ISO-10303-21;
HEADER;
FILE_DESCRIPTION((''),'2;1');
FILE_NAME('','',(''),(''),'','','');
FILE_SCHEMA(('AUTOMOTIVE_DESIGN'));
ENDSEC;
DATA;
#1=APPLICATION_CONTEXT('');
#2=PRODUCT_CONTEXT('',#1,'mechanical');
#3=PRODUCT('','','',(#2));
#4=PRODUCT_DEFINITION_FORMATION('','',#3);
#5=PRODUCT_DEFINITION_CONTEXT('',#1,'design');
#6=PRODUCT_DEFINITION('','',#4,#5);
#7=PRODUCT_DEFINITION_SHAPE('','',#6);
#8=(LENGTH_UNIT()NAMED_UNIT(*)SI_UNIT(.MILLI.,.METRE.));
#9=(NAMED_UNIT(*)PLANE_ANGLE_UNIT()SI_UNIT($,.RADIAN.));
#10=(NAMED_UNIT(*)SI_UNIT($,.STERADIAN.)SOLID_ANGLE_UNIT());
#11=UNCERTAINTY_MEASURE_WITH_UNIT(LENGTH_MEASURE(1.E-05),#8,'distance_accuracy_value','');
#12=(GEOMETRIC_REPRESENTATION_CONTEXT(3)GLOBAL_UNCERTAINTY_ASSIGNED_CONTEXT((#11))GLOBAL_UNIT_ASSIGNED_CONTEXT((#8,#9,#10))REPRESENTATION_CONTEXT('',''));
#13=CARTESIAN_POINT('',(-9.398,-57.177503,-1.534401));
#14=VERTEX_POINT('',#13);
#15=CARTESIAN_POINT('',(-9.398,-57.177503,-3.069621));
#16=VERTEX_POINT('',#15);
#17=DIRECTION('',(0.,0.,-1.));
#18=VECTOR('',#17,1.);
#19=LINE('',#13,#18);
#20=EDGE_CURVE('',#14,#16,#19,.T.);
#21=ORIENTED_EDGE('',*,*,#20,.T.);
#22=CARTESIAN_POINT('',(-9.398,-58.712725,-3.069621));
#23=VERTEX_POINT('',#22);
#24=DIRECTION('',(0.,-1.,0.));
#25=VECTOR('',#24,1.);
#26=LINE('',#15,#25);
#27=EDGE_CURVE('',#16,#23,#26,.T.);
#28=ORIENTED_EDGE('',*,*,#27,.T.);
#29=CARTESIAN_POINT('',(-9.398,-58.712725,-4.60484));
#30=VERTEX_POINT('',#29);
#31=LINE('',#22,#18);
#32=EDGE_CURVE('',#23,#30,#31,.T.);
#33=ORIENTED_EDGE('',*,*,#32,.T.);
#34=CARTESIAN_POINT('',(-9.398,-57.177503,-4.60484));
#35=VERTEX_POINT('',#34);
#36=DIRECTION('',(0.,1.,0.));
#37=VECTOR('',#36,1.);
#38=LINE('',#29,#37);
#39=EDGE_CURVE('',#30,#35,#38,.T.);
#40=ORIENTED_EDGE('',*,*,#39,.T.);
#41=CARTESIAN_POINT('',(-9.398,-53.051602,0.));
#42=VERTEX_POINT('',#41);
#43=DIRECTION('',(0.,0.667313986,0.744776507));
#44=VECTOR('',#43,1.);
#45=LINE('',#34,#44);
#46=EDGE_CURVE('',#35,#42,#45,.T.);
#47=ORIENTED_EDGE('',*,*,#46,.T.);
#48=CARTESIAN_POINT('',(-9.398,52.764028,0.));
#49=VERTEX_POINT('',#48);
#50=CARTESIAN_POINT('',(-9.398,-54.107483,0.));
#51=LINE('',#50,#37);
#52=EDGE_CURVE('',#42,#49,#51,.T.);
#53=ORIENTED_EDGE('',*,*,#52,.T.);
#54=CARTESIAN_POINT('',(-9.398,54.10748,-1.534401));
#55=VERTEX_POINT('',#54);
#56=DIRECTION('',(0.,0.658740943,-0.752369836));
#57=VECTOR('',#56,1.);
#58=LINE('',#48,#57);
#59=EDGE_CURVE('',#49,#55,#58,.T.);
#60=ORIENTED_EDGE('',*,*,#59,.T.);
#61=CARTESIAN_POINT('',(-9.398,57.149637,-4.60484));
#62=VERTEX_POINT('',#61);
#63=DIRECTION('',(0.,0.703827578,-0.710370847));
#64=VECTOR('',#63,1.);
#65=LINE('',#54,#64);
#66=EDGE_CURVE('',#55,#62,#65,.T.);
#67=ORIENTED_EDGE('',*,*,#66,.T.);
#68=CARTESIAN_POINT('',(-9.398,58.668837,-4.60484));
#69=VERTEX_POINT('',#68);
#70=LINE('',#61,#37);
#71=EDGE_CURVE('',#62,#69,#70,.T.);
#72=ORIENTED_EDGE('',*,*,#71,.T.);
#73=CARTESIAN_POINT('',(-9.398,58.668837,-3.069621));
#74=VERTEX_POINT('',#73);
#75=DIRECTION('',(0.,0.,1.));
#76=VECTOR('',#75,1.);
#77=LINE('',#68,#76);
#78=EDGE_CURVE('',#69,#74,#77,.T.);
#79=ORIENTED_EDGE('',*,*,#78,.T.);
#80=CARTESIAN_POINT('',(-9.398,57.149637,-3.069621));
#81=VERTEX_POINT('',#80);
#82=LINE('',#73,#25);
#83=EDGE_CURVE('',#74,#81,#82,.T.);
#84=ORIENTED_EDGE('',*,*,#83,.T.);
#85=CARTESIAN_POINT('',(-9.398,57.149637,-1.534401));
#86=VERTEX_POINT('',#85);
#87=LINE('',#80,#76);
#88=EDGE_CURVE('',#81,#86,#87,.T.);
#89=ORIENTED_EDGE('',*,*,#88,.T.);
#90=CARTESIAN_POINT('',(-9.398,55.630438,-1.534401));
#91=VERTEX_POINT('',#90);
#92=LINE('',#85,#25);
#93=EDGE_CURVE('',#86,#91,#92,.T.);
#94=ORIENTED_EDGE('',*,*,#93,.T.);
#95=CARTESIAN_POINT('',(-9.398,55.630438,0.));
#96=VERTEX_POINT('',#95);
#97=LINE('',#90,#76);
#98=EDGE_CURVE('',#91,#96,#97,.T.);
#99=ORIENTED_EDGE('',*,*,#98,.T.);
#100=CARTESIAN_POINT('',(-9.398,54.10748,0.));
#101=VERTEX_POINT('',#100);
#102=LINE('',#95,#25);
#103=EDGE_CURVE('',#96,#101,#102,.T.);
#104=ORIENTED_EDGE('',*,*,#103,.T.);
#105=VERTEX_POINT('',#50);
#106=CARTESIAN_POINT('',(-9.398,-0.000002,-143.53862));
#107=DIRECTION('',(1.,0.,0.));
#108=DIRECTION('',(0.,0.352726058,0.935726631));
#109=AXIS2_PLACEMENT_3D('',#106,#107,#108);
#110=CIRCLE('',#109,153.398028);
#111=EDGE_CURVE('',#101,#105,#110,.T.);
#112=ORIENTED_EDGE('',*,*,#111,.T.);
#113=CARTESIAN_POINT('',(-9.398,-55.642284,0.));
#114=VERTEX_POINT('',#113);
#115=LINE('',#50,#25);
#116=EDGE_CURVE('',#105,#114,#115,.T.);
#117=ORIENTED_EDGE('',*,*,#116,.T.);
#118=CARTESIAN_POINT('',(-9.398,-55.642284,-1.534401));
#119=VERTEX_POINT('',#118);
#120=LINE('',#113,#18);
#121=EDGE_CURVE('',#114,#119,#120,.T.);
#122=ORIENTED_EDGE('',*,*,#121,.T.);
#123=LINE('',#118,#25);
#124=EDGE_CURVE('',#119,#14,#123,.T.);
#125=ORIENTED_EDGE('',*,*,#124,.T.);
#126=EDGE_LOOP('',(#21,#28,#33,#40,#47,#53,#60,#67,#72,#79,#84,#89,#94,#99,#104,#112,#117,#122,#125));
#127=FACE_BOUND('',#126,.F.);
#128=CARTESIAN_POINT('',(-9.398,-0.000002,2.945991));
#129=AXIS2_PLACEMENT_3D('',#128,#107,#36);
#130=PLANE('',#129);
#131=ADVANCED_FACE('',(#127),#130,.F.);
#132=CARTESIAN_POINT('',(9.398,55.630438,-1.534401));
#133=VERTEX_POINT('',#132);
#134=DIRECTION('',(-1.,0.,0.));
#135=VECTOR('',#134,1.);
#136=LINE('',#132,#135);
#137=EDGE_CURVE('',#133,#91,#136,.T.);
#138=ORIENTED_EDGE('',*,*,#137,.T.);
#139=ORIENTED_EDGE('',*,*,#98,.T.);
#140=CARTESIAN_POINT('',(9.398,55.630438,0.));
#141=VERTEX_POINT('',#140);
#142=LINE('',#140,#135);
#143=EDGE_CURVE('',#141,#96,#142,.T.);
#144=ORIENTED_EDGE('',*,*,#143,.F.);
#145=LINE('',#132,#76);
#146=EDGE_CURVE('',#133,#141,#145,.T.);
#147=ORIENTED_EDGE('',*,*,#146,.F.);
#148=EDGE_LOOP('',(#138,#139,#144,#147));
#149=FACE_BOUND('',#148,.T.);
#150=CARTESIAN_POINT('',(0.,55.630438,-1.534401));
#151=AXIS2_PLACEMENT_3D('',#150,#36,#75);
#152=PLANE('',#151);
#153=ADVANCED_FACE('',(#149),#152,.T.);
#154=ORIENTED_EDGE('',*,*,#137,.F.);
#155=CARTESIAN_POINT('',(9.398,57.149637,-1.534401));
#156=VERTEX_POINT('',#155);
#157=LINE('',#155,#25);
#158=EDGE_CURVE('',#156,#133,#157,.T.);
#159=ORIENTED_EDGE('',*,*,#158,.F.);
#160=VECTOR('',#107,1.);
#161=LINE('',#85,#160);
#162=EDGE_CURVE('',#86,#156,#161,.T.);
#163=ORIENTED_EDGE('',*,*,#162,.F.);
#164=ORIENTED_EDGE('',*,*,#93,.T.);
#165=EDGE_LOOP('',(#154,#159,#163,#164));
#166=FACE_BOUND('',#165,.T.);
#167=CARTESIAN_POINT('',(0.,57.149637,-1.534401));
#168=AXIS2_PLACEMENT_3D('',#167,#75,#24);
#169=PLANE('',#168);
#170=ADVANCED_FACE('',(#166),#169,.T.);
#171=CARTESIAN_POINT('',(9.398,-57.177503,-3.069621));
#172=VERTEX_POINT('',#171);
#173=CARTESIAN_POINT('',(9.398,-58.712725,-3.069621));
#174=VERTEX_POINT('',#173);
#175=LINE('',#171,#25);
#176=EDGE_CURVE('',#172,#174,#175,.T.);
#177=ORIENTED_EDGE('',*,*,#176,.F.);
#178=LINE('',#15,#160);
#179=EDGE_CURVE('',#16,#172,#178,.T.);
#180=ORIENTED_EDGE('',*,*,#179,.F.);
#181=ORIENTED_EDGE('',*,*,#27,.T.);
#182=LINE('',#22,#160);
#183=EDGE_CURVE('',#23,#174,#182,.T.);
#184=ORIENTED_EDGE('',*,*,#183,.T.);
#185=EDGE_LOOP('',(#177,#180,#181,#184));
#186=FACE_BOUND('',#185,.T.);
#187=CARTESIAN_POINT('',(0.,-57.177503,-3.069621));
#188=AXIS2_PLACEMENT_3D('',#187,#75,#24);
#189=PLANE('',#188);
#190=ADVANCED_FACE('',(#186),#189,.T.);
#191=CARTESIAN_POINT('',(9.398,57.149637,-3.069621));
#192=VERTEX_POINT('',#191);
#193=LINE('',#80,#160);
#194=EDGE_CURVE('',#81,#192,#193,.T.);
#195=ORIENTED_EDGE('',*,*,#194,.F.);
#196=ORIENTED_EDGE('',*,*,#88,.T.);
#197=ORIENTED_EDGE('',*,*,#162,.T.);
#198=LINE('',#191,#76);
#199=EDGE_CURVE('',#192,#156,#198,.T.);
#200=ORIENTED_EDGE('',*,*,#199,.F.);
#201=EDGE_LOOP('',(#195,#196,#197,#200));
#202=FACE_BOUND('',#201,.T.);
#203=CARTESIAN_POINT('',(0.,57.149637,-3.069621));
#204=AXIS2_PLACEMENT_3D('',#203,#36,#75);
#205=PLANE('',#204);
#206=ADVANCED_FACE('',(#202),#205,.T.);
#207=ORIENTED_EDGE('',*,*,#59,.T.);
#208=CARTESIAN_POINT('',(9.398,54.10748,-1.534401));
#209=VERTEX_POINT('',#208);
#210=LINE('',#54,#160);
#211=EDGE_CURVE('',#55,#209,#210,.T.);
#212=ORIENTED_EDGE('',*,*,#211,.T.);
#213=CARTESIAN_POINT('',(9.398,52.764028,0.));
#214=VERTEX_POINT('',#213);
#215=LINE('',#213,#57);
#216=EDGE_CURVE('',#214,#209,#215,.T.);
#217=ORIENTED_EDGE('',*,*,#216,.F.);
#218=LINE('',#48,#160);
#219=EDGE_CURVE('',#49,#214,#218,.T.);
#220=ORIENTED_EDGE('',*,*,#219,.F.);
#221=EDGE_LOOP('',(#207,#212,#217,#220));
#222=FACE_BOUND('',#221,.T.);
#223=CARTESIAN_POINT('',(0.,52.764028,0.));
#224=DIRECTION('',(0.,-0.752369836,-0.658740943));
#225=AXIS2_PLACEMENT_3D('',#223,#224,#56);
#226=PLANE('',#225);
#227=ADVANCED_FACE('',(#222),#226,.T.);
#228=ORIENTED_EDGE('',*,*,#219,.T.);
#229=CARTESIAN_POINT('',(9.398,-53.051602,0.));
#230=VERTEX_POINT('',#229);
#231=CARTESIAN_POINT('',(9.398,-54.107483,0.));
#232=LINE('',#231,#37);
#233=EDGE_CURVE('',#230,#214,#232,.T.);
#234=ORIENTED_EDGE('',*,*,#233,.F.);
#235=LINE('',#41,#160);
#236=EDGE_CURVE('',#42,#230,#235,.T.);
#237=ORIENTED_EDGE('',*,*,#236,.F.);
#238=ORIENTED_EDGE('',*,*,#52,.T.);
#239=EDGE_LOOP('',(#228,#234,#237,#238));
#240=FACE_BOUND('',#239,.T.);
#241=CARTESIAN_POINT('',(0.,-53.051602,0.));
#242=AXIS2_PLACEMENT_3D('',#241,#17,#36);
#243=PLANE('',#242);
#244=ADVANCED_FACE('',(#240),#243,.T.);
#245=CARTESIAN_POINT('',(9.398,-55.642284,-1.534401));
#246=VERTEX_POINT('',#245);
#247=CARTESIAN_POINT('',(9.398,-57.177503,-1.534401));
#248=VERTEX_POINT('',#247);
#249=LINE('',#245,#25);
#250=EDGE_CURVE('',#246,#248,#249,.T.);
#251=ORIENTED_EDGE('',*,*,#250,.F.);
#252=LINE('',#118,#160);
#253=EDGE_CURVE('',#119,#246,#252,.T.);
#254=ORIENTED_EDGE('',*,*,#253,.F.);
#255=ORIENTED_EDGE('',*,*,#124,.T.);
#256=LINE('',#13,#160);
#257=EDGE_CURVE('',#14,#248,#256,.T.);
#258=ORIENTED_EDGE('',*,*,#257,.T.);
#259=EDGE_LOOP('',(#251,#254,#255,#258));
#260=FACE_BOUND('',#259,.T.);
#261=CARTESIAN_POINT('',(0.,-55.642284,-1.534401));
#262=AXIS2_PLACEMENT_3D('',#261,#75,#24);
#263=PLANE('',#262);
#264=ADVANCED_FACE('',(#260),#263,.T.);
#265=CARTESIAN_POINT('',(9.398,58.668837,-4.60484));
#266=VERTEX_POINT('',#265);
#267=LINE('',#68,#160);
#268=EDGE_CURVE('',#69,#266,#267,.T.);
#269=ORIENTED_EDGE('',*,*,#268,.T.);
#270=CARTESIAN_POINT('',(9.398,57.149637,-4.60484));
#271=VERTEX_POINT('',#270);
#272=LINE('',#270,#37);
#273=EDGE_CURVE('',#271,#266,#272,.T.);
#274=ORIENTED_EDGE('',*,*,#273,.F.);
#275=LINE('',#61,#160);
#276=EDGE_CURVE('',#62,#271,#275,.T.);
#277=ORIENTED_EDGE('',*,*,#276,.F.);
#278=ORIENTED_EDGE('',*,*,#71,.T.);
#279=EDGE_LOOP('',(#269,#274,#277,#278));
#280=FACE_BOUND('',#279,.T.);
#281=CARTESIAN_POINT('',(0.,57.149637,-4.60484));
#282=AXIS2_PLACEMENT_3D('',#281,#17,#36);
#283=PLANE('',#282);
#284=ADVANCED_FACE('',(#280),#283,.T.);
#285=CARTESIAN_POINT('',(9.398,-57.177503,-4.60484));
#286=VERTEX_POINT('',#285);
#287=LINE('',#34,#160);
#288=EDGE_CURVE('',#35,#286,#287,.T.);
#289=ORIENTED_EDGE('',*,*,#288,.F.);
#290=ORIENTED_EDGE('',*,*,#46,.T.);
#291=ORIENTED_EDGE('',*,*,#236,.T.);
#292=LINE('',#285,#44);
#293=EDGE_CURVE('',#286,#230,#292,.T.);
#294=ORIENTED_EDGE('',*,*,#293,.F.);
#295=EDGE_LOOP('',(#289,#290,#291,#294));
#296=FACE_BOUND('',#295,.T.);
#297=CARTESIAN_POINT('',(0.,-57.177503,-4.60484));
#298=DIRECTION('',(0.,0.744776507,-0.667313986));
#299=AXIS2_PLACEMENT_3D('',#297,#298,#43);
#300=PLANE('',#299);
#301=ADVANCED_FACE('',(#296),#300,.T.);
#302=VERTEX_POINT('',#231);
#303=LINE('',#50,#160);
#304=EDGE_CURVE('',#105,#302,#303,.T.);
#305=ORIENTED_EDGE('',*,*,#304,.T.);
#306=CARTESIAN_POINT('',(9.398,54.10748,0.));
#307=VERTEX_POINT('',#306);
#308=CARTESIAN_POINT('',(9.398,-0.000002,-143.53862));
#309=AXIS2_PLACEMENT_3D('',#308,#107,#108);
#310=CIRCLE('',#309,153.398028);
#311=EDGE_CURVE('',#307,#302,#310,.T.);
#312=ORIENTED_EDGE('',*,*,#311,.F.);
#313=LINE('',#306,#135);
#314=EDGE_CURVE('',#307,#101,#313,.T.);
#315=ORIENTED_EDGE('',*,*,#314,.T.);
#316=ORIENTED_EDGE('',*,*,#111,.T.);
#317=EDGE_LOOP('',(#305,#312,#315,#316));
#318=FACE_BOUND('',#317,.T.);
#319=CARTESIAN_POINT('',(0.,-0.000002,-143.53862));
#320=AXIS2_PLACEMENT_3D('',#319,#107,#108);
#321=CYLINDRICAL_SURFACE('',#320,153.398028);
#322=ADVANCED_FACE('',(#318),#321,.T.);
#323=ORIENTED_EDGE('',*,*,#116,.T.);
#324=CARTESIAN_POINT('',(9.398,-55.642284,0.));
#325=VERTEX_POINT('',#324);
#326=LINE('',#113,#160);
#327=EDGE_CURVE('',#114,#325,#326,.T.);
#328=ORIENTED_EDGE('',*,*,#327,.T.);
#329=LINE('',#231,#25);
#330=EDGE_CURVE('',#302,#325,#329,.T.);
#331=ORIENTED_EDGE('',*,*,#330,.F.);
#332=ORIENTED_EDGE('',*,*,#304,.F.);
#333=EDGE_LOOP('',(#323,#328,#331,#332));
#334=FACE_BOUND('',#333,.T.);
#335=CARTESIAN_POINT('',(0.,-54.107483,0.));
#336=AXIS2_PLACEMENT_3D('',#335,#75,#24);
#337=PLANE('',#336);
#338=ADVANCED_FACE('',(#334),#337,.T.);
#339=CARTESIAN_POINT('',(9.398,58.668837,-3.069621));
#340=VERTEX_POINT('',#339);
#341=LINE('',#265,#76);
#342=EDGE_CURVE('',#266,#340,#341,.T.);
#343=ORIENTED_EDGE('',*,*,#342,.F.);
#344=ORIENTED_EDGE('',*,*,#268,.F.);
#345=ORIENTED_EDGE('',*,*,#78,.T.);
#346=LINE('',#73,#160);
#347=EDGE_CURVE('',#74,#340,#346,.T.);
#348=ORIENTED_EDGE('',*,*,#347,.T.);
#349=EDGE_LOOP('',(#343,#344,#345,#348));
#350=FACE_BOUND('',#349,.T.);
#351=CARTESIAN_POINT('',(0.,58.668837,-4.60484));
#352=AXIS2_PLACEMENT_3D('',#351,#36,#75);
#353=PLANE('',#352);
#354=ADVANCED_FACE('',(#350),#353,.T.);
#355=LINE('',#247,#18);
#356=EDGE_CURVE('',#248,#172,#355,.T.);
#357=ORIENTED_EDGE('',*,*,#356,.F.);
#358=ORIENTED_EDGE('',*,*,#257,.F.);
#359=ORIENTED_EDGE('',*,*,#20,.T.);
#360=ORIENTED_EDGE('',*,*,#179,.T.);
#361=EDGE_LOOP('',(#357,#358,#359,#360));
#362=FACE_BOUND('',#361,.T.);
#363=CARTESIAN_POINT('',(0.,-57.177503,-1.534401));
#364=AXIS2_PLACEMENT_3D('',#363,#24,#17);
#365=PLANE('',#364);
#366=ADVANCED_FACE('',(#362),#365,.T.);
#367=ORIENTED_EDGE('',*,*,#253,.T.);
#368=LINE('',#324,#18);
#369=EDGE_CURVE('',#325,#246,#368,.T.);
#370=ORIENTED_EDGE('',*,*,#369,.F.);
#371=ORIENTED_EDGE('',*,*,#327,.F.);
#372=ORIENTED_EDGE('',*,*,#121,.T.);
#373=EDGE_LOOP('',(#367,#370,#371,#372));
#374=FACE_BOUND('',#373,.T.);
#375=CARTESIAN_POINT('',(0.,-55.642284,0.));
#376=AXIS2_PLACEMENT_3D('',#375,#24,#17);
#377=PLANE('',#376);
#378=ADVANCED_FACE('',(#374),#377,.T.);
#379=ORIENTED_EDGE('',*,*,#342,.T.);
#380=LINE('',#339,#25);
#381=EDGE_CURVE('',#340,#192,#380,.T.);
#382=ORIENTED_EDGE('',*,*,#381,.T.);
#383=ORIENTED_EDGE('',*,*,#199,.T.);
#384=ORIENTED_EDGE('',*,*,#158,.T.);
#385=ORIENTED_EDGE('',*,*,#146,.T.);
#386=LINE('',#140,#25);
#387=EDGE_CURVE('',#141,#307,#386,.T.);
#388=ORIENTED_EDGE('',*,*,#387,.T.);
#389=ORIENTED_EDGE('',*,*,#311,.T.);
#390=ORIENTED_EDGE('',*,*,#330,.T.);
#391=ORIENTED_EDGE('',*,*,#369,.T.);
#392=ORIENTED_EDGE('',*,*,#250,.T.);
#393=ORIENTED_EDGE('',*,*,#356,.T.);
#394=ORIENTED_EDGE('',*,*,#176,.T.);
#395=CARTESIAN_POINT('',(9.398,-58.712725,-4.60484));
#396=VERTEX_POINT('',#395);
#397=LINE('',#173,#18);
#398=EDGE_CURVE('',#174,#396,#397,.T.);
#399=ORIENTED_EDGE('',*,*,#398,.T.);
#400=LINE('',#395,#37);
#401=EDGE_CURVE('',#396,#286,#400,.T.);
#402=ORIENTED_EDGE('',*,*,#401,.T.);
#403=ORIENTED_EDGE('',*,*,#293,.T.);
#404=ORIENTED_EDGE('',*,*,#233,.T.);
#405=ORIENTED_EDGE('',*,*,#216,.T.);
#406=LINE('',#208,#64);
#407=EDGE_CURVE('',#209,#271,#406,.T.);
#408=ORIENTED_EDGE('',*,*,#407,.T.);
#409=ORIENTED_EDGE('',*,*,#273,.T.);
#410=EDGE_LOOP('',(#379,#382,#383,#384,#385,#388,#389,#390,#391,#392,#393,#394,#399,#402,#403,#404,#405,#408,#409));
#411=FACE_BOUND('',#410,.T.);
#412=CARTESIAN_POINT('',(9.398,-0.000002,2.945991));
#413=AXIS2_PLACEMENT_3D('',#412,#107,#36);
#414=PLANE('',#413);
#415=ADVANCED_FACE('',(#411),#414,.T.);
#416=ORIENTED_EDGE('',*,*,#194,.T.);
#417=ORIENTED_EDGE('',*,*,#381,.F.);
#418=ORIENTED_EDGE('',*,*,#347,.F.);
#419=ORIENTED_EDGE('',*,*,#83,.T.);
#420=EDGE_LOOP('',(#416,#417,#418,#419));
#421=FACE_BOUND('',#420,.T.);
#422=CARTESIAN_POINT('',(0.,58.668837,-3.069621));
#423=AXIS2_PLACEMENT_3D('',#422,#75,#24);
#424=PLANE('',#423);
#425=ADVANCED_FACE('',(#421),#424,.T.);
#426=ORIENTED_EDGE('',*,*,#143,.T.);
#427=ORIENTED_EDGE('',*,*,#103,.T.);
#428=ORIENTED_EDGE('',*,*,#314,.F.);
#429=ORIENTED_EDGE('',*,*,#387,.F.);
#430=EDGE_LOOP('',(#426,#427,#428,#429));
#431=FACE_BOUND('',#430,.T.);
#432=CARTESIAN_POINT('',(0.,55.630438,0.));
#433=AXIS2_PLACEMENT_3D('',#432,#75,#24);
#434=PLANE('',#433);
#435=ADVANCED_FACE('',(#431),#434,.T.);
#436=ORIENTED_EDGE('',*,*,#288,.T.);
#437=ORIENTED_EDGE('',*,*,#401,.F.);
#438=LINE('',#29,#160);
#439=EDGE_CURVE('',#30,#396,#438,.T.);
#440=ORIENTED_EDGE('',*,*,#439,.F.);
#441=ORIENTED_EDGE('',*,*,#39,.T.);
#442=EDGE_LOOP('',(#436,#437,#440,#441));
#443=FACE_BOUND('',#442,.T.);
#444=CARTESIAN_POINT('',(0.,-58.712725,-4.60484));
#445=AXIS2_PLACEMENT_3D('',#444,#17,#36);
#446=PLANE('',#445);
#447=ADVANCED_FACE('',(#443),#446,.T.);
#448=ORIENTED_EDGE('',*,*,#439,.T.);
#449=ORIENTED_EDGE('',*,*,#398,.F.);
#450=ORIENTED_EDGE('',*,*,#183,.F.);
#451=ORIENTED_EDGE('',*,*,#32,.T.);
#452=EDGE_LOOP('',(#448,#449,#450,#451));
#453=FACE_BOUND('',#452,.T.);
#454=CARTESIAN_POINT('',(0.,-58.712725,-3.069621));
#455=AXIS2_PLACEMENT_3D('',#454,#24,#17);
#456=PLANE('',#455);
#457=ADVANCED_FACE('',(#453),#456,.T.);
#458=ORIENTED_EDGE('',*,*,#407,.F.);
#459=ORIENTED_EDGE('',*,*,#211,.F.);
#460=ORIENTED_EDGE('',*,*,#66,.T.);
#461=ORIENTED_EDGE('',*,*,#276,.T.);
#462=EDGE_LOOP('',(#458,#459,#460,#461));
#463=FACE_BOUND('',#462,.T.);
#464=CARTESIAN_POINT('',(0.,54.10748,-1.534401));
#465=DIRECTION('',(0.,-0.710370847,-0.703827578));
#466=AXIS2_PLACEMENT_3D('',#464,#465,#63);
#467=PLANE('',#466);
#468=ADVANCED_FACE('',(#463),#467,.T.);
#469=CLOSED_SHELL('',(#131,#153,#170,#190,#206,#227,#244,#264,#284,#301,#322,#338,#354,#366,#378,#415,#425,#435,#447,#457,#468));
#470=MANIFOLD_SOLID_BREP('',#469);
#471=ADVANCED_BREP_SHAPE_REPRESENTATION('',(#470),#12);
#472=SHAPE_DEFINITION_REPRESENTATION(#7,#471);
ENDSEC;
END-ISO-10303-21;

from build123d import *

# Parameters (mm, degrees)
F1_DEPTH = 9.398


with BuildPart() as f1:
    # F0 (on Right) → F1 (new body, symmetric)
    with BuildSketch(Plane.YZ):
        with BuildLine():
            Line((-53.051602, 0), (0, 0))
            Line((0, 0), (52.764028, 0))
            Line((52.764028, 0), (54.10748, 0))
            ThreePointArc((54.10748, 0), (-2e-06, 9.859408), (-54.107483, 0))
            Line((-54.107483, 0), (-53.051602, 0))
        make_face()
        Polygon((-57.177503, -4.60484), (-53.051602, 0), (-54.107483, 0), (-55.642284, 0), (-55.642284, -1.534401), (-57.177503, -1.534401), (-57.177503, -3.069621), (-58.712725, -3.069621), (-58.712725, -4.60484), align=None)
        Polygon((54.10748, 0), (52.764028, 0), (54.10748, -1.534401), (57.149637, -4.60484), (58.668837, -4.60484), (58.668837, -3.069621), (57.149637, -3.069621), (57.149637, -1.534401), (55.630438, -1.534401), (55.630438, 0), align=None)
    extrude(amount=F1_DEPTH, both=True)


solid = f1.part
